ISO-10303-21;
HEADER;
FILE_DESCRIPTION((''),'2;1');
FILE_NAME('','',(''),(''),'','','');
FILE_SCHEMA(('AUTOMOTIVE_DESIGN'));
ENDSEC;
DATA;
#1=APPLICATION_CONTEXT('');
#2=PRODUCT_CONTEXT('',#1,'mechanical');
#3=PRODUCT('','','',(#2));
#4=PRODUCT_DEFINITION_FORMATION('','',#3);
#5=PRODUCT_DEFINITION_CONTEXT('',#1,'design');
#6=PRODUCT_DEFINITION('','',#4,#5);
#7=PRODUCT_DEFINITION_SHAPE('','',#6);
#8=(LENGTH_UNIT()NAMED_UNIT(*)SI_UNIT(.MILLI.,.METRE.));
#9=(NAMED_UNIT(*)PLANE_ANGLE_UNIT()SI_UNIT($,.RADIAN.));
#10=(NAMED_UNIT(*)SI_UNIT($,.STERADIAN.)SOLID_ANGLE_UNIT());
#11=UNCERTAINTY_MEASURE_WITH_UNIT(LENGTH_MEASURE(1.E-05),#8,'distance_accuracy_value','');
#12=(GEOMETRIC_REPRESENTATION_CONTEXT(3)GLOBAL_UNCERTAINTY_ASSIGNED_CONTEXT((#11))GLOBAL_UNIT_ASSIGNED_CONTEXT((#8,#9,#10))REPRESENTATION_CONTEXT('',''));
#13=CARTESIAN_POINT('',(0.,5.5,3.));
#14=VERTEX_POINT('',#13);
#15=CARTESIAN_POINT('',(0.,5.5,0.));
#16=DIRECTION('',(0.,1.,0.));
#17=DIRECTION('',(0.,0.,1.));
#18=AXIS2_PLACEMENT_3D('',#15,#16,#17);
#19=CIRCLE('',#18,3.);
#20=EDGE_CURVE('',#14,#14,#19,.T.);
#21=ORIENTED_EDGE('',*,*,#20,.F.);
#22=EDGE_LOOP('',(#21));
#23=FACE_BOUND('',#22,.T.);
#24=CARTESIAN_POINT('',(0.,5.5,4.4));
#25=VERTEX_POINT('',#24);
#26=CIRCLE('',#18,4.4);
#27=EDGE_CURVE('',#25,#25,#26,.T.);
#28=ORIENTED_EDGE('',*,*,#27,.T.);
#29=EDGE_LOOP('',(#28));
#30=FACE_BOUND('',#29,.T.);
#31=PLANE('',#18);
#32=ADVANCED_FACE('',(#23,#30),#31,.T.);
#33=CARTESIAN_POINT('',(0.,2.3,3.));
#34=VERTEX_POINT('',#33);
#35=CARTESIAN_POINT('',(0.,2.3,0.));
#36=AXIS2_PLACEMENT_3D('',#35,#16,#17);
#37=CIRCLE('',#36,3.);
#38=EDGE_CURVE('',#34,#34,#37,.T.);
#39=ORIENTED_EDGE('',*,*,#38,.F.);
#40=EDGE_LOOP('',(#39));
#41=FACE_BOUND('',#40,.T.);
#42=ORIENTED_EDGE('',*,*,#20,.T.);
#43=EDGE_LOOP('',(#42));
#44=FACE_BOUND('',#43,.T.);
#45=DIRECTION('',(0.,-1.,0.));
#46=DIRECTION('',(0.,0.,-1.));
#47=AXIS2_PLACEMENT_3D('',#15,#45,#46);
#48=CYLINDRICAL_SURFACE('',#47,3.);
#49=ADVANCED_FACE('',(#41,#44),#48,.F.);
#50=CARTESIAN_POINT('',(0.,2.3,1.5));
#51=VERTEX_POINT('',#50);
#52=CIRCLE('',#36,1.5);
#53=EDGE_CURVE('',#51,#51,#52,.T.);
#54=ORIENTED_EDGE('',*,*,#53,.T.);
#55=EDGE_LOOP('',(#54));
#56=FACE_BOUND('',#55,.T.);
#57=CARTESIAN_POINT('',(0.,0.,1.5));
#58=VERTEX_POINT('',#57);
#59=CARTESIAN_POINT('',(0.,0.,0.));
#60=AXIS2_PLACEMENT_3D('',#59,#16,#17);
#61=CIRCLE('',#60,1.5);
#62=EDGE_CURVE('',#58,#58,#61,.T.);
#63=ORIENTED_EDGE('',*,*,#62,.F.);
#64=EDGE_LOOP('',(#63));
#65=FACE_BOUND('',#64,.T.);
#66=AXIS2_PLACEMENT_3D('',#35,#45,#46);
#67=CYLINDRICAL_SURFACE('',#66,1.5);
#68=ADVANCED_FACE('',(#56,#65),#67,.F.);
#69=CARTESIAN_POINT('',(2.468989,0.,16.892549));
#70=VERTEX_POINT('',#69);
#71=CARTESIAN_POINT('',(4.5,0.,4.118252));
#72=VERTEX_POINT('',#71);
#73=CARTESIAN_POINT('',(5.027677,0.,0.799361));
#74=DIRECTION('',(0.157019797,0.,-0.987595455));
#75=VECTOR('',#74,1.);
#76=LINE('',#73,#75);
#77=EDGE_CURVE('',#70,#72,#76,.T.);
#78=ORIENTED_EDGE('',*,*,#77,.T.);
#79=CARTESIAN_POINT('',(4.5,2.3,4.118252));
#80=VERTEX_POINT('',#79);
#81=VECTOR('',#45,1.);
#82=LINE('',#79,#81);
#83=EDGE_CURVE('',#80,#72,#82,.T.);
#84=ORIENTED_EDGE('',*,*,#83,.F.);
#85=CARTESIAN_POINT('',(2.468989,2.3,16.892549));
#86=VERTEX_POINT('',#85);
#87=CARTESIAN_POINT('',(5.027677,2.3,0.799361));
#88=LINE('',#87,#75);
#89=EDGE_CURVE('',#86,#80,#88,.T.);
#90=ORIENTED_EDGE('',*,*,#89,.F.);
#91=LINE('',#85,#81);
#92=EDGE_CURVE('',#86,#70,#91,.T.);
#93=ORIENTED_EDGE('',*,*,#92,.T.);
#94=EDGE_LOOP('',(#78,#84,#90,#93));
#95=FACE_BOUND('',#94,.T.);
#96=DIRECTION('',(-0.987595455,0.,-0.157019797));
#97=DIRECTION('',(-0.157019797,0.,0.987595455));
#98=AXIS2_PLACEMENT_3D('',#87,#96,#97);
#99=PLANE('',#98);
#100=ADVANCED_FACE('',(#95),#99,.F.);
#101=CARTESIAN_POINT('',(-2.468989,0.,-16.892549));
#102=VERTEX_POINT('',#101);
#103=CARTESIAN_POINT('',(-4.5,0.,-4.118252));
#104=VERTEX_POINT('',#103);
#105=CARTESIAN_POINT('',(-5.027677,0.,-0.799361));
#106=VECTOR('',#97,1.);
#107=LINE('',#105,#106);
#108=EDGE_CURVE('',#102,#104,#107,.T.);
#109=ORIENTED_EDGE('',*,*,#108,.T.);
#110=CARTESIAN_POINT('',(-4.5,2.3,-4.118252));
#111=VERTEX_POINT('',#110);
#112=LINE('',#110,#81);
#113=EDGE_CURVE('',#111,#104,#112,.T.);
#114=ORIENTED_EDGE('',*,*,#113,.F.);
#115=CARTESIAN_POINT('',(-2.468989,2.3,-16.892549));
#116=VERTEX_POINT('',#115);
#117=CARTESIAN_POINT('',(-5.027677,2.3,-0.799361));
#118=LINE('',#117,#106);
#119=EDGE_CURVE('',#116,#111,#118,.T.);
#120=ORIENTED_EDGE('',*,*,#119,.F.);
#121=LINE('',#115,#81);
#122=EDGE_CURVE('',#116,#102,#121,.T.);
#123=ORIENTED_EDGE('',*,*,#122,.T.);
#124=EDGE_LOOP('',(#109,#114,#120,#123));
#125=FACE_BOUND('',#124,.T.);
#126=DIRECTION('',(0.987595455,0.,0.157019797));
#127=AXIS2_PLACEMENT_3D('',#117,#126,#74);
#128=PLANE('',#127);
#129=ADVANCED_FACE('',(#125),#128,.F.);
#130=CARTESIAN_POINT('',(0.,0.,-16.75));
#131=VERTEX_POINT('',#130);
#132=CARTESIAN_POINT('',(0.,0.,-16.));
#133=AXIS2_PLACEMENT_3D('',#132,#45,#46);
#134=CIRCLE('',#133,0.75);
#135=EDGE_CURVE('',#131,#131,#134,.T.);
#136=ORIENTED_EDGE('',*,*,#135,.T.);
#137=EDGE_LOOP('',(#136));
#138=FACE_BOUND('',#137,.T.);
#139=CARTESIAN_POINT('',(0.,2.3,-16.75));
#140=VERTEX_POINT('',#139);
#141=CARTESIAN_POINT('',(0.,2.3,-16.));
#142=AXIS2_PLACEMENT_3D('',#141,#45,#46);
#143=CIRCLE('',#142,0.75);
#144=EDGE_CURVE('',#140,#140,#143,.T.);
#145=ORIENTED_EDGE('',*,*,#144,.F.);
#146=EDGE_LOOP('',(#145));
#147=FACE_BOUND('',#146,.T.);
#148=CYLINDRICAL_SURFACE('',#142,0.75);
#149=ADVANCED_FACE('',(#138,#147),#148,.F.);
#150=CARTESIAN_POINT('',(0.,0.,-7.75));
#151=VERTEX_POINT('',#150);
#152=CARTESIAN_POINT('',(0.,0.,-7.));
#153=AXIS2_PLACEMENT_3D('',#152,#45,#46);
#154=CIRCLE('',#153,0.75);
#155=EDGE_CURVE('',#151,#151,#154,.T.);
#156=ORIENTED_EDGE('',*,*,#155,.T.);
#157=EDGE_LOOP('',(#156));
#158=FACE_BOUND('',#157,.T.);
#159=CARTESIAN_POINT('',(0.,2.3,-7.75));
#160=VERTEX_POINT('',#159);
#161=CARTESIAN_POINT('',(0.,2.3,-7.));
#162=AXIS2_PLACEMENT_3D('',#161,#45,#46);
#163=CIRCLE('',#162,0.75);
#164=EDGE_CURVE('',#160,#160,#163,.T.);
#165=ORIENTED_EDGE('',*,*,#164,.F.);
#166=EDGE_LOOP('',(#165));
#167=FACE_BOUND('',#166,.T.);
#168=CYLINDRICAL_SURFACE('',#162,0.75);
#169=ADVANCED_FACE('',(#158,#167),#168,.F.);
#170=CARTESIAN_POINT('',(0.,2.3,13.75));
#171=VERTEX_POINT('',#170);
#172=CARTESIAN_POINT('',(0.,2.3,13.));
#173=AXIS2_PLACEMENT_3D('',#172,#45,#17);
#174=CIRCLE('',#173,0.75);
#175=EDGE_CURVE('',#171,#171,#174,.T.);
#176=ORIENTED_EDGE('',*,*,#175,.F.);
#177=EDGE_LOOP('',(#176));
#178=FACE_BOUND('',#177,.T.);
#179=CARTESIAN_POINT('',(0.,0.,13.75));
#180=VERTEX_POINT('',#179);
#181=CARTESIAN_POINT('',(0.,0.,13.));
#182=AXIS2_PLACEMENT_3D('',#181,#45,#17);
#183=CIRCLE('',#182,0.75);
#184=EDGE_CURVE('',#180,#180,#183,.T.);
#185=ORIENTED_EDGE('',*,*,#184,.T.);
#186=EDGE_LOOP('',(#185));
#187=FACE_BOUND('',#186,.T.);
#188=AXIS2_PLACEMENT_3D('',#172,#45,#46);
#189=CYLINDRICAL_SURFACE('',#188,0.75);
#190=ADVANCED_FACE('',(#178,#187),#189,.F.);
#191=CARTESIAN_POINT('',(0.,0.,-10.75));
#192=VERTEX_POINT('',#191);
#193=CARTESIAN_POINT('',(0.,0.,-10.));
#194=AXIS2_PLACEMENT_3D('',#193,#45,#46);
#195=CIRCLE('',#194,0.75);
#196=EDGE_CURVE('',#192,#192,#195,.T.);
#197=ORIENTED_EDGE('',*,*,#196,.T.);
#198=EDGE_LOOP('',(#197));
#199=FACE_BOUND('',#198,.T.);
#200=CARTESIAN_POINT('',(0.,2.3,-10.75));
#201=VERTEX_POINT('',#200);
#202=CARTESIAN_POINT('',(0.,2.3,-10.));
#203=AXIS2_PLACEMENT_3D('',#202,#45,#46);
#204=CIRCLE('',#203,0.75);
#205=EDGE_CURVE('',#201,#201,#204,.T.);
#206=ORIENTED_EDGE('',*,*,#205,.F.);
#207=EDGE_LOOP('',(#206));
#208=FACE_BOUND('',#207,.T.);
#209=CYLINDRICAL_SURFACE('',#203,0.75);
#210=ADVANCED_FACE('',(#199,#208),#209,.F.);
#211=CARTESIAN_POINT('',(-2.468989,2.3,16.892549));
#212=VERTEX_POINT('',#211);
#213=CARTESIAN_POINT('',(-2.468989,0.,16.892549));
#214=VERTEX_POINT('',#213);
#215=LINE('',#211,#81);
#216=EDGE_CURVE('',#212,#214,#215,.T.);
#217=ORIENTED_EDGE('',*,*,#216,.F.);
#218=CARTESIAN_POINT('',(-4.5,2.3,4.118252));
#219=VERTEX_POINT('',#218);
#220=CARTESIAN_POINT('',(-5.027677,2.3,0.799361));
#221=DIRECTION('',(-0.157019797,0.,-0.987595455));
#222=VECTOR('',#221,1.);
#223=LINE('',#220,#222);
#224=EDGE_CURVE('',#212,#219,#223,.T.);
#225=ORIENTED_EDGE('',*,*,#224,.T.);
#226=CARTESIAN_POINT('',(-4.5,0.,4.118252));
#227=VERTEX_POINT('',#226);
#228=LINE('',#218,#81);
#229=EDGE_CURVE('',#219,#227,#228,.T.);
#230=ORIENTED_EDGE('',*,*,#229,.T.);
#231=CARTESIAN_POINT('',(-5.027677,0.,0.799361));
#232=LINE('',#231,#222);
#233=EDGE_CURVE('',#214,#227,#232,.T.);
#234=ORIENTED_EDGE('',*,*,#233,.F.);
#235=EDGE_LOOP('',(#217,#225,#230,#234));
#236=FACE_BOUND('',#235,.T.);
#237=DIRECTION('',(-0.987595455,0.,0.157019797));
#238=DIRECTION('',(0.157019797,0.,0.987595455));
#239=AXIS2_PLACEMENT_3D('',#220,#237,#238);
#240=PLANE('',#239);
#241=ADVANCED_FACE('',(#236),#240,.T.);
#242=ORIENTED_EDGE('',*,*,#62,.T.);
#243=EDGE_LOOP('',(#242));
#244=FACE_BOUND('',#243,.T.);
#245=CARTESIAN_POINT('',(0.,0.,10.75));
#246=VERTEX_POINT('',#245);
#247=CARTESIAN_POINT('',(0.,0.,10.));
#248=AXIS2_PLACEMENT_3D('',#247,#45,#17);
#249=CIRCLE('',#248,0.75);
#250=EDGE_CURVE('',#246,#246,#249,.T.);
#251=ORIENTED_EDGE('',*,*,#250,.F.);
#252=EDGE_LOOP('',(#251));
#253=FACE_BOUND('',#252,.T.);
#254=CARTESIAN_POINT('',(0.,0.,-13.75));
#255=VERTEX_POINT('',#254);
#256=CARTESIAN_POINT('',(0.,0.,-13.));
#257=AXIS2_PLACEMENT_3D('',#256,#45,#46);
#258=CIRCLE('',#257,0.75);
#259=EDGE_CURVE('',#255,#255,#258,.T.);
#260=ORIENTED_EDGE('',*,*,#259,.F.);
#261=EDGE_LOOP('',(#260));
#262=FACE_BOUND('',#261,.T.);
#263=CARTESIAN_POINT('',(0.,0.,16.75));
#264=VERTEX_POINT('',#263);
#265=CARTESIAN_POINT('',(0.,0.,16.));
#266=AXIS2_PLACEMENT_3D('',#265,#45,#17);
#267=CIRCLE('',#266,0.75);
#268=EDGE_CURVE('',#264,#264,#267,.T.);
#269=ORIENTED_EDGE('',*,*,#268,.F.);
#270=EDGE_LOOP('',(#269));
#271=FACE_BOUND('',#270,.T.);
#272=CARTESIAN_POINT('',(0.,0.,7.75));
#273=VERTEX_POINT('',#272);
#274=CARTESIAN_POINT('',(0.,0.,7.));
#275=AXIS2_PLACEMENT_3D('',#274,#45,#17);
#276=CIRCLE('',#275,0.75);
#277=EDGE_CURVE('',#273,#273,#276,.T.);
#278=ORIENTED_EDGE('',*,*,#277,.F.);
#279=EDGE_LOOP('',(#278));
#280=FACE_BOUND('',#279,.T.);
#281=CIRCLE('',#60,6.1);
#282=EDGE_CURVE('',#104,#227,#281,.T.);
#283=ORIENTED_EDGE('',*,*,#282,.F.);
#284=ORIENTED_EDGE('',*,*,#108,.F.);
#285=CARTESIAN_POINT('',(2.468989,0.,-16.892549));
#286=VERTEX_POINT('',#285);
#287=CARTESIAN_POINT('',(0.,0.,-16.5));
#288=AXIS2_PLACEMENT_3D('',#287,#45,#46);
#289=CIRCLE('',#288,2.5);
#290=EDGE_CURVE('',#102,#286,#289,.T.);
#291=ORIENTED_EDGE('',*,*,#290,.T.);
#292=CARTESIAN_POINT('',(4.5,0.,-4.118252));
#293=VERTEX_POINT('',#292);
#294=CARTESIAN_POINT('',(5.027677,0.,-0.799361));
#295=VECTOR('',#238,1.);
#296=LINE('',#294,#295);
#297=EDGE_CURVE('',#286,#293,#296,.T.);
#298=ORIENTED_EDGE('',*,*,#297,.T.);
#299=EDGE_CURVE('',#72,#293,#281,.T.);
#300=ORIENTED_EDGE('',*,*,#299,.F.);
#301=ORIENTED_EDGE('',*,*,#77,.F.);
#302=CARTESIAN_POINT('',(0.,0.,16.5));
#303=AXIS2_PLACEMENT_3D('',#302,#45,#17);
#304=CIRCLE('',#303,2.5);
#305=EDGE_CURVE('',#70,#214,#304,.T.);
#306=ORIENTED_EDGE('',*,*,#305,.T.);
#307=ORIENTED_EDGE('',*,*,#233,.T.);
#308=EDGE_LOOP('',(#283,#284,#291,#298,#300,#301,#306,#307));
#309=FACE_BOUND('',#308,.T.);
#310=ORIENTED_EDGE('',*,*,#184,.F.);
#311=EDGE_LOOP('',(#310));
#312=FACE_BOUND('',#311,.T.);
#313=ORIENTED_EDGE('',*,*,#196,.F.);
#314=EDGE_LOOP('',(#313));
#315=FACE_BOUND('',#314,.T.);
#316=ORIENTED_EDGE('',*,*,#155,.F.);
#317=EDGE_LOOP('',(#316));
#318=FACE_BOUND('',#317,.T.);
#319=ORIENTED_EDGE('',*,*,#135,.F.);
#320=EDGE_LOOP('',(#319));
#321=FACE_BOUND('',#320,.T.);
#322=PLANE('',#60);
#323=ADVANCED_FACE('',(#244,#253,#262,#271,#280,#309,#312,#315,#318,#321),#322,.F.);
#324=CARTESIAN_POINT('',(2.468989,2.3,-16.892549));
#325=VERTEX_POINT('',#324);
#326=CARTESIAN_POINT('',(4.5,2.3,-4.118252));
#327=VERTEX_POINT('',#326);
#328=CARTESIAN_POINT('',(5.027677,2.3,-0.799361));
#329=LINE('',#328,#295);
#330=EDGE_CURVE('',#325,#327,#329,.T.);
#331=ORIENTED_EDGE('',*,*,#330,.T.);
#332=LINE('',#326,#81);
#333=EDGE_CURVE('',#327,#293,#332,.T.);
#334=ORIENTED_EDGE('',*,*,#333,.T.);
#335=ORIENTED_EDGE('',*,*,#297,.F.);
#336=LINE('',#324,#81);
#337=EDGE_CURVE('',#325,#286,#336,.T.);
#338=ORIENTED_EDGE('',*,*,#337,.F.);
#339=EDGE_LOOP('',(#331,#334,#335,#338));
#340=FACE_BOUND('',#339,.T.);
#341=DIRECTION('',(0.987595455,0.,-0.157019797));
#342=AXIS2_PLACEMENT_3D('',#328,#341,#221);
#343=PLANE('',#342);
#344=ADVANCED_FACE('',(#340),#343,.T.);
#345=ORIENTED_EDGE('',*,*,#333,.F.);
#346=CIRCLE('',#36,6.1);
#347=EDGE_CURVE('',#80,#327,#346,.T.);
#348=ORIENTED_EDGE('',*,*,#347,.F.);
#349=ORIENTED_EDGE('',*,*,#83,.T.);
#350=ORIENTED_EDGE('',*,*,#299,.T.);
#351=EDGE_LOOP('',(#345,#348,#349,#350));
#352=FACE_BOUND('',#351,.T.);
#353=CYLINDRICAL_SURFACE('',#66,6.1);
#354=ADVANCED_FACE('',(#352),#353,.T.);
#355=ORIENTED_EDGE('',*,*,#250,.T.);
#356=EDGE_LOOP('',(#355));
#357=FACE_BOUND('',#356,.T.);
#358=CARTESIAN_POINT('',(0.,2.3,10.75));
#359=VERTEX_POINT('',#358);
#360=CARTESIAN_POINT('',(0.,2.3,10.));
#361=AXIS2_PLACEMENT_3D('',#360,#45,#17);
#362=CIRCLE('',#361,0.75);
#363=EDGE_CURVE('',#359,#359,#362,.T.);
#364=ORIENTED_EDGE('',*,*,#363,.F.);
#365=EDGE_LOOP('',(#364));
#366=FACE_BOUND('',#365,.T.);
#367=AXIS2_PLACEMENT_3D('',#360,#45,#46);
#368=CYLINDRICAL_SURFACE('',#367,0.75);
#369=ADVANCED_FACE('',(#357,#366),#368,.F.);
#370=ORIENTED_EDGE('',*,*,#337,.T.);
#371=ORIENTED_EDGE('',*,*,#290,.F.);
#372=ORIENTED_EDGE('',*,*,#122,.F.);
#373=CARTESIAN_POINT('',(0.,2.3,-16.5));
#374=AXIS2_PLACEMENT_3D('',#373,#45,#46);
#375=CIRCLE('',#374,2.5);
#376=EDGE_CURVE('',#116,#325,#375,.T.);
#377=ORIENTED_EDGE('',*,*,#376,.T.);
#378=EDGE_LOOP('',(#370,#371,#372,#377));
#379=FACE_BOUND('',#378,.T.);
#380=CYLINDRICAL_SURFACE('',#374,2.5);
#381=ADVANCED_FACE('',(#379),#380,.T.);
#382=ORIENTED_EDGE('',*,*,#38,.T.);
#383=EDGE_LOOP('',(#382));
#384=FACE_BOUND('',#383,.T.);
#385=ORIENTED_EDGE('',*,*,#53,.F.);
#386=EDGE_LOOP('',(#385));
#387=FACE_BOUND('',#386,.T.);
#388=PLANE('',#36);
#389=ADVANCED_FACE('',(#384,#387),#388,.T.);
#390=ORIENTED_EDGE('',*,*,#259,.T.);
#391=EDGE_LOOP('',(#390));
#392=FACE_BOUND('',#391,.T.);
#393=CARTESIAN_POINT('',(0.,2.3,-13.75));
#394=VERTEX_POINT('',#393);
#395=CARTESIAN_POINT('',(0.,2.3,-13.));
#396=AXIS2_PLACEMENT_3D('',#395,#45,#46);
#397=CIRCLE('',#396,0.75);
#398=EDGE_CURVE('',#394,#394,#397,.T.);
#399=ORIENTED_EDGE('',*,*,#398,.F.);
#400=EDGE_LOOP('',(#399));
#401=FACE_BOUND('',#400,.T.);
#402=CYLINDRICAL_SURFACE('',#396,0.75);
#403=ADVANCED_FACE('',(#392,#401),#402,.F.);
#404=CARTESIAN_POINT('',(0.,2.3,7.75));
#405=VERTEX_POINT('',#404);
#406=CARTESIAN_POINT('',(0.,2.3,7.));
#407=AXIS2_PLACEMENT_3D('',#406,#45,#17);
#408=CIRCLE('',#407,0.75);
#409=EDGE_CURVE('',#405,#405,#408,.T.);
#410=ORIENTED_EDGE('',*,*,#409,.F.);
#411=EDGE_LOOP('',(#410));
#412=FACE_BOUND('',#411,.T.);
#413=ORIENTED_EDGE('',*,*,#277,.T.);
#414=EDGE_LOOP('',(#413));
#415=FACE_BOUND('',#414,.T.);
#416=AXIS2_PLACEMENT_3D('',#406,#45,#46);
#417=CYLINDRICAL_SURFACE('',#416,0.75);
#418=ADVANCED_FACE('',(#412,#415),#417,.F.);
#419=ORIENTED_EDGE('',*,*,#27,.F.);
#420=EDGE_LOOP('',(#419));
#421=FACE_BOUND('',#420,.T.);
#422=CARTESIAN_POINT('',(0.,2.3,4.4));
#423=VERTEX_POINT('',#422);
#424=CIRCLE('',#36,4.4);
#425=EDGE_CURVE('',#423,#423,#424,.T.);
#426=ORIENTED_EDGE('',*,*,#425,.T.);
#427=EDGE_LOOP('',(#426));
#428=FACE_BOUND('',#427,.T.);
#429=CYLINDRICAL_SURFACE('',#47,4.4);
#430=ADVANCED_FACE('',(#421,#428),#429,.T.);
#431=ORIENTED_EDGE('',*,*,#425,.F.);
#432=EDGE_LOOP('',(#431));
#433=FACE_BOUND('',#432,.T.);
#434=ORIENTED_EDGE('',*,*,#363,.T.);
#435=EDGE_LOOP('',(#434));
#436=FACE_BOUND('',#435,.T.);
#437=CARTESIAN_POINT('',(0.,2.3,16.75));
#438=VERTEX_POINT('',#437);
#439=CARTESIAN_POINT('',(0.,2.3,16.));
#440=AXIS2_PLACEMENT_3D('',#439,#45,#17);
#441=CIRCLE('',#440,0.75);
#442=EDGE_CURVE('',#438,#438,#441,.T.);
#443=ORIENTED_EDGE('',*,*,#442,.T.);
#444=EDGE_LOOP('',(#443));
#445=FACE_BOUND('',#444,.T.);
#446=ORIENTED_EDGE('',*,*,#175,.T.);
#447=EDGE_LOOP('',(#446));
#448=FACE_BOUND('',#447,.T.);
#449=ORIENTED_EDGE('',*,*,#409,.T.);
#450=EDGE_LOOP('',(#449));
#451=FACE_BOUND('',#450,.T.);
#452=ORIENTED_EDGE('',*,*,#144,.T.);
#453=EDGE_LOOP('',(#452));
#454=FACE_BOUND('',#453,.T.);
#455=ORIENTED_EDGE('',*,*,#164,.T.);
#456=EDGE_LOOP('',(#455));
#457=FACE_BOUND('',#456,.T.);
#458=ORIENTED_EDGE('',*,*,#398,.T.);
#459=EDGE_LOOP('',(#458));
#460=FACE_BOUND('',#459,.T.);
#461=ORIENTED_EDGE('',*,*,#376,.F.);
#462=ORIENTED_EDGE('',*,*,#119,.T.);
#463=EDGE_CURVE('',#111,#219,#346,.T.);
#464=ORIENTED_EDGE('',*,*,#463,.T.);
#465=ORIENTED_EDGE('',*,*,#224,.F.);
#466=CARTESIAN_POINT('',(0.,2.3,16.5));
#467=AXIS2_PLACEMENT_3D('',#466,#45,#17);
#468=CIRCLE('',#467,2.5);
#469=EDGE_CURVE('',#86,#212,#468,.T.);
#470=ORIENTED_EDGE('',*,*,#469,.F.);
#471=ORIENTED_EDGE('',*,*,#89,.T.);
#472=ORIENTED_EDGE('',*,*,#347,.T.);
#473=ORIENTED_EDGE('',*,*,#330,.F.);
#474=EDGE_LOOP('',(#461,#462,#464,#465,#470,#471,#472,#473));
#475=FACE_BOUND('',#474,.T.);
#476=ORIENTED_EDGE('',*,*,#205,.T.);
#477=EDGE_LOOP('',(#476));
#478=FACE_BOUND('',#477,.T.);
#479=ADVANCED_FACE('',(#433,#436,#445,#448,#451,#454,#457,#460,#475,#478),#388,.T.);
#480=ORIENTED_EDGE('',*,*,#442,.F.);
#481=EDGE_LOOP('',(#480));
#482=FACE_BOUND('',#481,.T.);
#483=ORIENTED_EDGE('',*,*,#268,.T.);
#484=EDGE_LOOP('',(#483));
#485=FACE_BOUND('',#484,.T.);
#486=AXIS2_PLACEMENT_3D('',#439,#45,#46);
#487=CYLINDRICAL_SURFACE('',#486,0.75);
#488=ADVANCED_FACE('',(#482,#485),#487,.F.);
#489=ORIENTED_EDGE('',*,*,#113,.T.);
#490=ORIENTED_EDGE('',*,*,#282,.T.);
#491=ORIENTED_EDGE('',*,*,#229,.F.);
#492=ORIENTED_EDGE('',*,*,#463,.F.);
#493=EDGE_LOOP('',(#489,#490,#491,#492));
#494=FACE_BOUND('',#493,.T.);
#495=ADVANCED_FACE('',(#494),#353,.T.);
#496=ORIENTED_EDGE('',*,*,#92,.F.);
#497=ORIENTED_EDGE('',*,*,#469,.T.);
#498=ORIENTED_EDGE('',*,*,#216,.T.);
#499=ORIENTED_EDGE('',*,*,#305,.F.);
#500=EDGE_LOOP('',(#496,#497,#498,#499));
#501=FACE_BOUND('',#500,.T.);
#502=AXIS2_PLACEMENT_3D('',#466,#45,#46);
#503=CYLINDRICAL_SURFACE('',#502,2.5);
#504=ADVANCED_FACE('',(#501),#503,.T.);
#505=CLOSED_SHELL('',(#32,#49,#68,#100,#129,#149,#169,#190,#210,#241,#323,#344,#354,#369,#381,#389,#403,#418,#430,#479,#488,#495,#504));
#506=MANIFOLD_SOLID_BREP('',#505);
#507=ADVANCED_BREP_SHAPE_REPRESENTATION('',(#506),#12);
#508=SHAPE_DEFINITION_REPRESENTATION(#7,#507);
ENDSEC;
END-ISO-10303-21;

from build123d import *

# Parameters (mm, degrees)
SKETCH1_R           = 6.1
SKETCH1_R_2         = 1.5
BOSS_EXTRUDE1_DEPTH = 2.3
SKETCH2_R           = 4.4
SKETCH2_R_2         = 3
BOSS_EXTRUDE2_DEPTH = 3.2
SKETCH3_R           = 0.75
BOSS_EXTRUDE3_DEPTH = 2.3
CIRPATTERN1_COUNT   = 2


with BuildPart() as part:
    # Sketch1 → Boss-Extrude1 (new body)
    with BuildSketch(Plane(origin=(0, 0, 0), x_dir=(1, 0, 0), z_dir=(0, 1, 0))):
        Circle(SKETCH1_R)
        Circle(SKETCH1_R_2, mode=Mode.SUBTRACT)
    extrude(amount=BOSS_EXTRUDE1_DEPTH)

    # Sketch2 → Boss-Extrude2 (add)
    with BuildSketch(Plane(origin=(0, 2.3, 0), x_dir=(1, 0, 0), z_dir=(0, 1, 0))):
        Circle(SKETCH2_R)
        Circle(SKETCH2_R_2, mode=Mode.SUBTRACT)
    extrude(amount=BOSS_EXTRUDE2_DEPTH)

    # Sketch3 → Boss-Extrude3 (add)
    with BuildSketch(Plane.XZ):
        with BuildLine():
            Line((-4.5, -4.118252056), (-2.468988638, -16.892549493))
            ThreePointArc((-2.468988638, -16.892549493), (0, -19), (2.468988638, -16.892549493))
            Line((2.468988638, -16.892549493), (4.5, -4.118252056))
            ThreePointArc((4.5, -4.118252056), (0, -6.1), (-4.5, -4.118252056))
        make_face()
        with Locations((0, -16)):
            Circle(SKETCH3_R, mode=Mode.SUBTRACT)
        with Locations((0, -13)):
            Circle(SKETCH3_R, mode=Mode.SUBTRACT)
        with Locations((0, -10)):
            Circle(SKETCH3_R, mode=Mode.SUBTRACT)
        with Locations((0, -7)):
            Circle(SKETCH3_R, mode=Mode.SUBTRACT)
    boss_extrude3 = extrude(amount=-BOSS_EXTRUDE3_DEPTH)

    # CirPattern1: Boss-Extrude3 ×2 about axis
    cirpattern1_axis = Axis((0, 0, 0), (0, 1, 0))
    for i in range(1, CIRPATTERN1_COUNT):
        add(boss_extrude3.rotate(cirpattern1_axis, i * 360 / CIRPATTERN1_COUNT))


solid = part.part
